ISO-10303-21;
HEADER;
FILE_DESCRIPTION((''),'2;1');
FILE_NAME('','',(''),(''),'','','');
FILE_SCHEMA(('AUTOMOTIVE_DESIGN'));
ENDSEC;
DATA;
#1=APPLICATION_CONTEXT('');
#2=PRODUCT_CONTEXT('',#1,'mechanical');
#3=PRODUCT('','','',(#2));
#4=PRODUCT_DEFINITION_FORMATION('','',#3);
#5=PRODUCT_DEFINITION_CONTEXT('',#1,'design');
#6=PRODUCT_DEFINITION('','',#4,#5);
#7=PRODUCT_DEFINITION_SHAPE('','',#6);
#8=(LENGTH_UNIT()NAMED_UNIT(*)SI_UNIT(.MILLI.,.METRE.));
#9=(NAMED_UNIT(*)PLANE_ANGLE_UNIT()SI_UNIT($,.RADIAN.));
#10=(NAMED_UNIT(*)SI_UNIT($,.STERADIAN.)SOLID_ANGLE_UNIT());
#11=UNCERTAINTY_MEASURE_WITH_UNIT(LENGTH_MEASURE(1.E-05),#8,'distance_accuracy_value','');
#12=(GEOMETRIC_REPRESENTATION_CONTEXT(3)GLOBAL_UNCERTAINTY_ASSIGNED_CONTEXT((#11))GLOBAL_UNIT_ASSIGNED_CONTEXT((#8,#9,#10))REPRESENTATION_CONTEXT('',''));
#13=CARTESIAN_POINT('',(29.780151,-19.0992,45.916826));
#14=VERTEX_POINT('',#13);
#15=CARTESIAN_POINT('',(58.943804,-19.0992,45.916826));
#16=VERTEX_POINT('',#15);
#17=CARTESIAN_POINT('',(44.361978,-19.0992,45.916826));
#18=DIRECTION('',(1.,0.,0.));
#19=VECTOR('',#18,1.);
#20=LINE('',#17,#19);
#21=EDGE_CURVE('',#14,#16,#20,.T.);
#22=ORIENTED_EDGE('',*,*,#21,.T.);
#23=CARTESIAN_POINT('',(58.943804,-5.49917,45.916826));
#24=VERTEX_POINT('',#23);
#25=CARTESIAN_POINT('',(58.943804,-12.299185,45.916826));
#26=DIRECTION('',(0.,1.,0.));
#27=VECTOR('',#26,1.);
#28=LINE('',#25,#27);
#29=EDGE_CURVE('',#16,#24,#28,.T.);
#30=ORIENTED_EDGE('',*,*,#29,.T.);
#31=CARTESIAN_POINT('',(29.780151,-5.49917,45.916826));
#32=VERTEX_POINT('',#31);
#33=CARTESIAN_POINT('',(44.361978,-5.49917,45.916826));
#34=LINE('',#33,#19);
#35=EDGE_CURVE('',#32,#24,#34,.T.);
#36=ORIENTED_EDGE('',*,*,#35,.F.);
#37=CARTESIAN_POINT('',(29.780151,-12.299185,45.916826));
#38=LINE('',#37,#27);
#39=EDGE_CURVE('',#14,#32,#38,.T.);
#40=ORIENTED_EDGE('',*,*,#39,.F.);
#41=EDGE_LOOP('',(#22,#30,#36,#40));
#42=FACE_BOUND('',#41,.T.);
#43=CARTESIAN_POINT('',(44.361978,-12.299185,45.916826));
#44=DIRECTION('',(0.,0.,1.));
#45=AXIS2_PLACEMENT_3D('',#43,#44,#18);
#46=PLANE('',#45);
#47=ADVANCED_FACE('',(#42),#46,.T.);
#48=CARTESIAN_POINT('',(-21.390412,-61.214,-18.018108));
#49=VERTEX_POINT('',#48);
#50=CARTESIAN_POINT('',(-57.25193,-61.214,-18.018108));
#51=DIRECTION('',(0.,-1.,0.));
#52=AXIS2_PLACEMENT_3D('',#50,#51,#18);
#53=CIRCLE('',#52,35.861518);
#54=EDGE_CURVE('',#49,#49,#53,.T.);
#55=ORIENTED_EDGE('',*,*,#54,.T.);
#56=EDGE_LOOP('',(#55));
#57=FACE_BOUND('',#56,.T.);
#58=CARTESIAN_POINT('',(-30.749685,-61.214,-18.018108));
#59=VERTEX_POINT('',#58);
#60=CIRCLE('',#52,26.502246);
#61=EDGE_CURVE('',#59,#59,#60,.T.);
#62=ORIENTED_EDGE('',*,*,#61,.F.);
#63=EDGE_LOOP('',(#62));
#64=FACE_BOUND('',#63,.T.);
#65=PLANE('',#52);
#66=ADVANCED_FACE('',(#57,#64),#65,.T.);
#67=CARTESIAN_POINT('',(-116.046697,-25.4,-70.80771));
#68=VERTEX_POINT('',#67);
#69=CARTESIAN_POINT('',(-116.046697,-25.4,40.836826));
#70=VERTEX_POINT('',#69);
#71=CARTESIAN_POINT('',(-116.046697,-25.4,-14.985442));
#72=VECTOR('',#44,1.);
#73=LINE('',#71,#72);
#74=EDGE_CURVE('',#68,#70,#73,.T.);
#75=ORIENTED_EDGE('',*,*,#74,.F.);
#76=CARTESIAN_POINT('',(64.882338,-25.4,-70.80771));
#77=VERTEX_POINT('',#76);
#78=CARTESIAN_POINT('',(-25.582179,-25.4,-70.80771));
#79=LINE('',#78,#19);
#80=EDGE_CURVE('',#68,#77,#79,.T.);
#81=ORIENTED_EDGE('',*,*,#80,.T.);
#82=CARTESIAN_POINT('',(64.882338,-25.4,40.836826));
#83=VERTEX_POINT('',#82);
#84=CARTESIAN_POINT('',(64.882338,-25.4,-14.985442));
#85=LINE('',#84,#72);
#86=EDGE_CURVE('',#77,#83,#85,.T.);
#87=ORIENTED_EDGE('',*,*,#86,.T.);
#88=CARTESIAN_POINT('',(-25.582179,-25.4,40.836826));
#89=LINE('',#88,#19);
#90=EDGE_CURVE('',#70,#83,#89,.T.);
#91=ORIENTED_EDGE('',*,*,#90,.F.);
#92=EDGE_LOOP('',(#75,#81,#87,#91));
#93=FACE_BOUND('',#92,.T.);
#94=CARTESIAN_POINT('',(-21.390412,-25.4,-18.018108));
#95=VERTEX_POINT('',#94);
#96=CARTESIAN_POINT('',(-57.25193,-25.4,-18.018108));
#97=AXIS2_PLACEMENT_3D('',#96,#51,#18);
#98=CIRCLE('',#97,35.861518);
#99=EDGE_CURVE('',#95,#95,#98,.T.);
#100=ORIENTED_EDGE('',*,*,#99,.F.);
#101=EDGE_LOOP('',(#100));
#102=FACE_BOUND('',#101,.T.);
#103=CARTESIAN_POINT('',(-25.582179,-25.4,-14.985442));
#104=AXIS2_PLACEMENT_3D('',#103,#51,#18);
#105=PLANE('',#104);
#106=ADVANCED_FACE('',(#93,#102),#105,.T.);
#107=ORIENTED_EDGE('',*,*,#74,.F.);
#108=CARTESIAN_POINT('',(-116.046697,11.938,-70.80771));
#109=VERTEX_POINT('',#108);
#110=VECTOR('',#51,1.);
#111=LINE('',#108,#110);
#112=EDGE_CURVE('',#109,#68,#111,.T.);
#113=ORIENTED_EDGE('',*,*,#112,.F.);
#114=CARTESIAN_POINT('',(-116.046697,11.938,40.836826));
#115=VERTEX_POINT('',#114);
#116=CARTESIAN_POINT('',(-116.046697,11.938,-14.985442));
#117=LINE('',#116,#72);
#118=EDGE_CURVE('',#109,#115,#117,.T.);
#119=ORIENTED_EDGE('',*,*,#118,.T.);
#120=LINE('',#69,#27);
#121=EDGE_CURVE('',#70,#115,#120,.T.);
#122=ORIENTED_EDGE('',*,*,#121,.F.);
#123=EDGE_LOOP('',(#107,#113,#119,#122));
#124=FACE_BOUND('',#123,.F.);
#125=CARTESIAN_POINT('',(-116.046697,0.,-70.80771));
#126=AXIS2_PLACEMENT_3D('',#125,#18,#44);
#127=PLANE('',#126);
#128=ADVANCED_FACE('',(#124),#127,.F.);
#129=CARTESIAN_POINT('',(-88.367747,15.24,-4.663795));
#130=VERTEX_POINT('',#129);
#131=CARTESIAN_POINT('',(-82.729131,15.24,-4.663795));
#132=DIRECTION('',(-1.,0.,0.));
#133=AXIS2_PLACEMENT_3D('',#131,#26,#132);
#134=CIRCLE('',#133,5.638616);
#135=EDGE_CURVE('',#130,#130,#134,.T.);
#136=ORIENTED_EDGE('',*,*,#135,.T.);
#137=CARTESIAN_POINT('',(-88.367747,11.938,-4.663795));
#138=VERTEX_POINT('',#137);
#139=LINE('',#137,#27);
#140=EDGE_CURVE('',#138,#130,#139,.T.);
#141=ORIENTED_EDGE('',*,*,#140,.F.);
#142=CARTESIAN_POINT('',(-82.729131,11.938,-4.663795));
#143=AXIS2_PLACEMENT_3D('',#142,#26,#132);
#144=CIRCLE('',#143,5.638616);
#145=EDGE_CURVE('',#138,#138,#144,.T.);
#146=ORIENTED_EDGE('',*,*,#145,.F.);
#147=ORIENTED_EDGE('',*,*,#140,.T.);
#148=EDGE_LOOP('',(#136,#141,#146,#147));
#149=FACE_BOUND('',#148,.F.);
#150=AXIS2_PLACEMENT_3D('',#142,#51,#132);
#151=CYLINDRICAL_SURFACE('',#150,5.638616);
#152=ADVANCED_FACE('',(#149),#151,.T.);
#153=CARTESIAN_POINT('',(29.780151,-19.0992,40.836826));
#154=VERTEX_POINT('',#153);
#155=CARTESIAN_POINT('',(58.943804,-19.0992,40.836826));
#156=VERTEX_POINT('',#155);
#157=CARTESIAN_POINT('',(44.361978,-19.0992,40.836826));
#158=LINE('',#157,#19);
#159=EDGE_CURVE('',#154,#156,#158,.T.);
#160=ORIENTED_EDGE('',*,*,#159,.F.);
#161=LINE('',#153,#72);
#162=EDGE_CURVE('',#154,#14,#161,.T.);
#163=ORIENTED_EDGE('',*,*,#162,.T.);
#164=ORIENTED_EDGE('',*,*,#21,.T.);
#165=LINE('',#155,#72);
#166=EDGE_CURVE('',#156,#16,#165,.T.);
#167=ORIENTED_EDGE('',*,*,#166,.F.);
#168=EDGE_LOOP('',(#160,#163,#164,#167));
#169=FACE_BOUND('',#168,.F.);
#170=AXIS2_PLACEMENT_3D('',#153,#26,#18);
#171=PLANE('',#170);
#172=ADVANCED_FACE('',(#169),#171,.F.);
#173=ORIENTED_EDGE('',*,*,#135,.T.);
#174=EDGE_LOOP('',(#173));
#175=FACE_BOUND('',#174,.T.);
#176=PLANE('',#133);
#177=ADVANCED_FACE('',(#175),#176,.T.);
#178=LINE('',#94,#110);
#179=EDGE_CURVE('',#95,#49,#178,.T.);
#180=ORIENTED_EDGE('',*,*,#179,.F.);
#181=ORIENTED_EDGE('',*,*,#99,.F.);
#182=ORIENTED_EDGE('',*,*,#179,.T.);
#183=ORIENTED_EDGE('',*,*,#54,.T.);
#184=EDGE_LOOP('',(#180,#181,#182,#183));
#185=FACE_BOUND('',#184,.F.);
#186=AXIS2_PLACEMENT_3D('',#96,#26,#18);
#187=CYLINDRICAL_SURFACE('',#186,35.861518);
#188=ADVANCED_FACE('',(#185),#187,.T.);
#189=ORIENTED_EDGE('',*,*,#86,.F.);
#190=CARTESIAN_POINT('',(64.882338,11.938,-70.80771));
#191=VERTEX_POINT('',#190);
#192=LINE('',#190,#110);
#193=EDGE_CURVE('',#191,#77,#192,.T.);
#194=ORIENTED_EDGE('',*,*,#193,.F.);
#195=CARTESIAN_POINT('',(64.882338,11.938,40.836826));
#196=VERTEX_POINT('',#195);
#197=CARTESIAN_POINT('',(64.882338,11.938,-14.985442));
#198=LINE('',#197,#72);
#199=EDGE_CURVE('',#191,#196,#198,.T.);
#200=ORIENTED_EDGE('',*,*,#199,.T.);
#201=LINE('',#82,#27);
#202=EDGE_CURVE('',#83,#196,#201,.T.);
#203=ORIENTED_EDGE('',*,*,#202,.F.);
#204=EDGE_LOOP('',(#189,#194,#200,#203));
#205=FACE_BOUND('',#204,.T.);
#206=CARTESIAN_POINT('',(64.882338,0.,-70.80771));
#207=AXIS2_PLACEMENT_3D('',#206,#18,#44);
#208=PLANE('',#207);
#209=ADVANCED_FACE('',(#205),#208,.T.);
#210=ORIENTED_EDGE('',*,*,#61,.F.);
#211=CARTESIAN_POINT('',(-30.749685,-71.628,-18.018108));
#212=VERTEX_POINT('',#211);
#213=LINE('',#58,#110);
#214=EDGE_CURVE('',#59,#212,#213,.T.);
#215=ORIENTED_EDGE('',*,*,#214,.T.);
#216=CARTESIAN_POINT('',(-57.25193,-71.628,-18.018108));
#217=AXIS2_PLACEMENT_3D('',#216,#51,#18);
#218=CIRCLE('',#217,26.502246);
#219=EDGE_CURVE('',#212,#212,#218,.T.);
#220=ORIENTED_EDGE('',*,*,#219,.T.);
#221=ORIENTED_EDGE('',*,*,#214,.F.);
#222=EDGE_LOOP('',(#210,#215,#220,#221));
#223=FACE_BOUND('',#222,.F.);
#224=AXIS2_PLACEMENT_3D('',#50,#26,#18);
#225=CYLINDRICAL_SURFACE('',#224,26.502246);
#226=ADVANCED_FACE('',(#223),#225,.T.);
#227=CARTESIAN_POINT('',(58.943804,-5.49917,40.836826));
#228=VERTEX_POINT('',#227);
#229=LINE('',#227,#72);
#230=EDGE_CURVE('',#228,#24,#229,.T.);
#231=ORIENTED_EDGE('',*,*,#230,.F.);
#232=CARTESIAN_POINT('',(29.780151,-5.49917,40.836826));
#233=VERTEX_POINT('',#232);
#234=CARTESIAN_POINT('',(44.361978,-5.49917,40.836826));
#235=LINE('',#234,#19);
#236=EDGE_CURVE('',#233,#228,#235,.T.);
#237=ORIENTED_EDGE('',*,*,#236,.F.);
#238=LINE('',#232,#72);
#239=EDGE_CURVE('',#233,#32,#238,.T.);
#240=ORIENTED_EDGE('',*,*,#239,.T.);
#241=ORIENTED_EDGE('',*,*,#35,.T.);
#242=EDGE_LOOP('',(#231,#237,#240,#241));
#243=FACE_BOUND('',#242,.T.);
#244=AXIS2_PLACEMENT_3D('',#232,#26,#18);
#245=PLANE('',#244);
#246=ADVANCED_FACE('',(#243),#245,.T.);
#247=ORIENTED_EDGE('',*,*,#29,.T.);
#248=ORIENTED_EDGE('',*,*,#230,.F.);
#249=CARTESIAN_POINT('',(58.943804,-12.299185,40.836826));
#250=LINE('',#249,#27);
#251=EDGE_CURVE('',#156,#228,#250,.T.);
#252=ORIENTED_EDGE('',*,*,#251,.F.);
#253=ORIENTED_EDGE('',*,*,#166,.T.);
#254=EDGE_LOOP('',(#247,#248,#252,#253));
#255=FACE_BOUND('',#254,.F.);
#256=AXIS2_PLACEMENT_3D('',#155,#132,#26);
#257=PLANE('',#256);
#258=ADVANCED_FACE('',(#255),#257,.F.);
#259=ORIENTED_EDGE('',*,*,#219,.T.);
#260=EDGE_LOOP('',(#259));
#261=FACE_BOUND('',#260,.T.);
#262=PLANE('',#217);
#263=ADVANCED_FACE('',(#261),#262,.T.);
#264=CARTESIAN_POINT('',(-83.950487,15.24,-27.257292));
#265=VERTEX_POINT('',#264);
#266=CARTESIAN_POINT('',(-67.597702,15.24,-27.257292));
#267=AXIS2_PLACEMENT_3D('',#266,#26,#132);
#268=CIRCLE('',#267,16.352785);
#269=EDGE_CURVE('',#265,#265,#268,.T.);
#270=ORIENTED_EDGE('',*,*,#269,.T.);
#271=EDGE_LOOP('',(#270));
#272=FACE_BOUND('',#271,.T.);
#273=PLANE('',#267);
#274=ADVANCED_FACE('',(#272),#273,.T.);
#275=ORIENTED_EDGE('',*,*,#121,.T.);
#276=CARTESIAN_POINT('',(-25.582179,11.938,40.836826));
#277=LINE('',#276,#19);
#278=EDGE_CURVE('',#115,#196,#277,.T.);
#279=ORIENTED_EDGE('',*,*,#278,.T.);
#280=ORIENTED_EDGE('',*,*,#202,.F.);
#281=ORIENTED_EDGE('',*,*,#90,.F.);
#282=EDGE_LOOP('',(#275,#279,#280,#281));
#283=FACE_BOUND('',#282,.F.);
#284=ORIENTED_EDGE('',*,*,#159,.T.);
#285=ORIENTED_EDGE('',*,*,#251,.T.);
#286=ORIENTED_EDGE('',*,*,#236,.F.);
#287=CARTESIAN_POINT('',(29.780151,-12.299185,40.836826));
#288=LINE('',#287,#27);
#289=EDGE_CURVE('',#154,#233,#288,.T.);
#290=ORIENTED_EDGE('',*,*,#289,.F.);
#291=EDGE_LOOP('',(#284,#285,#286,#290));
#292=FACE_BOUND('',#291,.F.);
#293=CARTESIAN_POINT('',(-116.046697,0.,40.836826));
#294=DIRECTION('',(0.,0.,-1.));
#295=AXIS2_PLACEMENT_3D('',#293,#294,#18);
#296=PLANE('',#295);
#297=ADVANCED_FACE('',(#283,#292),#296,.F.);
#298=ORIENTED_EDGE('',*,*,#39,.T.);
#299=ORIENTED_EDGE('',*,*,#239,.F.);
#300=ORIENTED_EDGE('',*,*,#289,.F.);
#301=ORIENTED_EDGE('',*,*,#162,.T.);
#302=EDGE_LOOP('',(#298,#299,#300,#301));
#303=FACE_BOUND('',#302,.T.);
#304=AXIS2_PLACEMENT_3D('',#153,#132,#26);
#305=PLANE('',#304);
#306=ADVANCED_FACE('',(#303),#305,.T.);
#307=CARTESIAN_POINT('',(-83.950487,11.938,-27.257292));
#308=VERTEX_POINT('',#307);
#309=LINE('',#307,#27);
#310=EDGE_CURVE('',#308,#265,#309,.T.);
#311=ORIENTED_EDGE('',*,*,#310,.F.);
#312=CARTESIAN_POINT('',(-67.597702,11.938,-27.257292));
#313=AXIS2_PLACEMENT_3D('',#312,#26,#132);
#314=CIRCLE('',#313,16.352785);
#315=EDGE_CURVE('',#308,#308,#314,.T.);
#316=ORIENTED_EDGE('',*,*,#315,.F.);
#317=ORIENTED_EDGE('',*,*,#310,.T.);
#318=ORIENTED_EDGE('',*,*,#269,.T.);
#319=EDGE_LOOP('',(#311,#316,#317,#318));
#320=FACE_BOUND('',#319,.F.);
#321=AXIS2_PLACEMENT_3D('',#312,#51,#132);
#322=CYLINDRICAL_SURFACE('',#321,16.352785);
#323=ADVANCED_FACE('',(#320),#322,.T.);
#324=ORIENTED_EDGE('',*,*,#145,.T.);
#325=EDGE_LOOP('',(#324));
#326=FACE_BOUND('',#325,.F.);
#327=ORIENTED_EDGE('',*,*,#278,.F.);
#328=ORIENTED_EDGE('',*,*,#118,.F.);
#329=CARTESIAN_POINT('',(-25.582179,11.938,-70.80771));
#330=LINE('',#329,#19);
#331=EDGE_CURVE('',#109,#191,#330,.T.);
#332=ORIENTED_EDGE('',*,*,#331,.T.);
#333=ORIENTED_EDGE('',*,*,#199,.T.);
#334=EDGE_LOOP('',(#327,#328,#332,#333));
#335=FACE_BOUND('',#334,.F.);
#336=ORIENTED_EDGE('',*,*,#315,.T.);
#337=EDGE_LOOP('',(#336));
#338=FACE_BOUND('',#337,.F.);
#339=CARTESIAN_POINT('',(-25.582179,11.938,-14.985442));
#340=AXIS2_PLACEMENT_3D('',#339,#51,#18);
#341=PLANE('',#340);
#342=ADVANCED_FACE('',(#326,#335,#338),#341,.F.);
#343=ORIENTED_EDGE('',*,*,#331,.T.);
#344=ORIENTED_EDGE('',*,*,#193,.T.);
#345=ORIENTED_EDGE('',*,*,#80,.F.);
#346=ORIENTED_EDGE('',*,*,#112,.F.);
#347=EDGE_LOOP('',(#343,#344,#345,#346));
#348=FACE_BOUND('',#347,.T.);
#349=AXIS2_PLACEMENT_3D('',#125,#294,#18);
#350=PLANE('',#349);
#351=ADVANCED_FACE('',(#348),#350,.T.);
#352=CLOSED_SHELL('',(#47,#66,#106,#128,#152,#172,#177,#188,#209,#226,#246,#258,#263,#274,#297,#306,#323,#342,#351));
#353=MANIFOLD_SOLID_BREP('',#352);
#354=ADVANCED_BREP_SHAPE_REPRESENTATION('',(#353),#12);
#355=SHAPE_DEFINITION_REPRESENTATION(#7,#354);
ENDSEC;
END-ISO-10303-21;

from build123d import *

# Parameters (mm, degrees)
F0_W      = 180.9290349483
F0_H      = 111.6445362568
F1_DEPTH  = 25.4
F2_R      = 35.8615179987
F3_DEPTH  = 35.814
F4_R      = 26.5022456756
F5_DEPTH  = 10.414
F6_W      = 29.163653031
F6_H      = 13.6000299826
F7_DEPTH  = 5.08
F8_DEPTH  = 11.938
F10_R     = 16.3527851641
F10_R_2   = 5.6386158943
F11_DEPTH = 3.302


with BuildPart() as f1:
    # F0 (on Front) → F1 (new body)
    with BuildSketch(Plane.XZ):
        with Locations((-25.5821794271, -14.9854421616)):
            Rectangle(F0_W, F0_H)
    extrude(amount=F1_DEPTH)

    # F2 (on face) → F3 (join)
    with BuildSketch(Plane.XZ.offset(25.4)):
        with Locations((-57.2519302368, -18.0181078613)):
            Circle(F2_R)
    extrude(amount=F3_DEPTH)

    # F4 (on face) → F5 (join)
    with BuildSketch(Plane.XZ.offset(61.214)):
        with Locations((-57.2519302368, -18.0181078613)):
            Circle(F4_R)
    extrude(amount=F5_DEPTH)

    # F6 (on face) → F7 (join)
    with BuildSketch(Plane.XY.offset(40.8368259668)):
        with Locations((44.361977838, -12.2991851531)):
            Rectangle(F6_W, F6_H)
    extrude(amount=F7_DEPTH)

    # F8 (add): a face of the model
    f8_faces = [f1.faces().sort_by_distance(p)[0] for p in [
        (-25.5821794271, 0, -14.9854421616),
    ]]
    extrude(f8_faces, amount=F8_DEPTH)

    # F10 (on face) → F11 (join)
    with BuildSketch(Plane(origin=(0, 11.938, 0), x_dir=(-1, 0, 0), z_dir=(0, 1, 0))):
        with Locations((67.5977021456, -27.2572916001)):
            Circle(F10_R)
        with Locations((82.7291309834, -4.6637952328)):
            Circle(F10_R_2)
    extrude(amount=F11_DEPTH)


solid = f1.part
